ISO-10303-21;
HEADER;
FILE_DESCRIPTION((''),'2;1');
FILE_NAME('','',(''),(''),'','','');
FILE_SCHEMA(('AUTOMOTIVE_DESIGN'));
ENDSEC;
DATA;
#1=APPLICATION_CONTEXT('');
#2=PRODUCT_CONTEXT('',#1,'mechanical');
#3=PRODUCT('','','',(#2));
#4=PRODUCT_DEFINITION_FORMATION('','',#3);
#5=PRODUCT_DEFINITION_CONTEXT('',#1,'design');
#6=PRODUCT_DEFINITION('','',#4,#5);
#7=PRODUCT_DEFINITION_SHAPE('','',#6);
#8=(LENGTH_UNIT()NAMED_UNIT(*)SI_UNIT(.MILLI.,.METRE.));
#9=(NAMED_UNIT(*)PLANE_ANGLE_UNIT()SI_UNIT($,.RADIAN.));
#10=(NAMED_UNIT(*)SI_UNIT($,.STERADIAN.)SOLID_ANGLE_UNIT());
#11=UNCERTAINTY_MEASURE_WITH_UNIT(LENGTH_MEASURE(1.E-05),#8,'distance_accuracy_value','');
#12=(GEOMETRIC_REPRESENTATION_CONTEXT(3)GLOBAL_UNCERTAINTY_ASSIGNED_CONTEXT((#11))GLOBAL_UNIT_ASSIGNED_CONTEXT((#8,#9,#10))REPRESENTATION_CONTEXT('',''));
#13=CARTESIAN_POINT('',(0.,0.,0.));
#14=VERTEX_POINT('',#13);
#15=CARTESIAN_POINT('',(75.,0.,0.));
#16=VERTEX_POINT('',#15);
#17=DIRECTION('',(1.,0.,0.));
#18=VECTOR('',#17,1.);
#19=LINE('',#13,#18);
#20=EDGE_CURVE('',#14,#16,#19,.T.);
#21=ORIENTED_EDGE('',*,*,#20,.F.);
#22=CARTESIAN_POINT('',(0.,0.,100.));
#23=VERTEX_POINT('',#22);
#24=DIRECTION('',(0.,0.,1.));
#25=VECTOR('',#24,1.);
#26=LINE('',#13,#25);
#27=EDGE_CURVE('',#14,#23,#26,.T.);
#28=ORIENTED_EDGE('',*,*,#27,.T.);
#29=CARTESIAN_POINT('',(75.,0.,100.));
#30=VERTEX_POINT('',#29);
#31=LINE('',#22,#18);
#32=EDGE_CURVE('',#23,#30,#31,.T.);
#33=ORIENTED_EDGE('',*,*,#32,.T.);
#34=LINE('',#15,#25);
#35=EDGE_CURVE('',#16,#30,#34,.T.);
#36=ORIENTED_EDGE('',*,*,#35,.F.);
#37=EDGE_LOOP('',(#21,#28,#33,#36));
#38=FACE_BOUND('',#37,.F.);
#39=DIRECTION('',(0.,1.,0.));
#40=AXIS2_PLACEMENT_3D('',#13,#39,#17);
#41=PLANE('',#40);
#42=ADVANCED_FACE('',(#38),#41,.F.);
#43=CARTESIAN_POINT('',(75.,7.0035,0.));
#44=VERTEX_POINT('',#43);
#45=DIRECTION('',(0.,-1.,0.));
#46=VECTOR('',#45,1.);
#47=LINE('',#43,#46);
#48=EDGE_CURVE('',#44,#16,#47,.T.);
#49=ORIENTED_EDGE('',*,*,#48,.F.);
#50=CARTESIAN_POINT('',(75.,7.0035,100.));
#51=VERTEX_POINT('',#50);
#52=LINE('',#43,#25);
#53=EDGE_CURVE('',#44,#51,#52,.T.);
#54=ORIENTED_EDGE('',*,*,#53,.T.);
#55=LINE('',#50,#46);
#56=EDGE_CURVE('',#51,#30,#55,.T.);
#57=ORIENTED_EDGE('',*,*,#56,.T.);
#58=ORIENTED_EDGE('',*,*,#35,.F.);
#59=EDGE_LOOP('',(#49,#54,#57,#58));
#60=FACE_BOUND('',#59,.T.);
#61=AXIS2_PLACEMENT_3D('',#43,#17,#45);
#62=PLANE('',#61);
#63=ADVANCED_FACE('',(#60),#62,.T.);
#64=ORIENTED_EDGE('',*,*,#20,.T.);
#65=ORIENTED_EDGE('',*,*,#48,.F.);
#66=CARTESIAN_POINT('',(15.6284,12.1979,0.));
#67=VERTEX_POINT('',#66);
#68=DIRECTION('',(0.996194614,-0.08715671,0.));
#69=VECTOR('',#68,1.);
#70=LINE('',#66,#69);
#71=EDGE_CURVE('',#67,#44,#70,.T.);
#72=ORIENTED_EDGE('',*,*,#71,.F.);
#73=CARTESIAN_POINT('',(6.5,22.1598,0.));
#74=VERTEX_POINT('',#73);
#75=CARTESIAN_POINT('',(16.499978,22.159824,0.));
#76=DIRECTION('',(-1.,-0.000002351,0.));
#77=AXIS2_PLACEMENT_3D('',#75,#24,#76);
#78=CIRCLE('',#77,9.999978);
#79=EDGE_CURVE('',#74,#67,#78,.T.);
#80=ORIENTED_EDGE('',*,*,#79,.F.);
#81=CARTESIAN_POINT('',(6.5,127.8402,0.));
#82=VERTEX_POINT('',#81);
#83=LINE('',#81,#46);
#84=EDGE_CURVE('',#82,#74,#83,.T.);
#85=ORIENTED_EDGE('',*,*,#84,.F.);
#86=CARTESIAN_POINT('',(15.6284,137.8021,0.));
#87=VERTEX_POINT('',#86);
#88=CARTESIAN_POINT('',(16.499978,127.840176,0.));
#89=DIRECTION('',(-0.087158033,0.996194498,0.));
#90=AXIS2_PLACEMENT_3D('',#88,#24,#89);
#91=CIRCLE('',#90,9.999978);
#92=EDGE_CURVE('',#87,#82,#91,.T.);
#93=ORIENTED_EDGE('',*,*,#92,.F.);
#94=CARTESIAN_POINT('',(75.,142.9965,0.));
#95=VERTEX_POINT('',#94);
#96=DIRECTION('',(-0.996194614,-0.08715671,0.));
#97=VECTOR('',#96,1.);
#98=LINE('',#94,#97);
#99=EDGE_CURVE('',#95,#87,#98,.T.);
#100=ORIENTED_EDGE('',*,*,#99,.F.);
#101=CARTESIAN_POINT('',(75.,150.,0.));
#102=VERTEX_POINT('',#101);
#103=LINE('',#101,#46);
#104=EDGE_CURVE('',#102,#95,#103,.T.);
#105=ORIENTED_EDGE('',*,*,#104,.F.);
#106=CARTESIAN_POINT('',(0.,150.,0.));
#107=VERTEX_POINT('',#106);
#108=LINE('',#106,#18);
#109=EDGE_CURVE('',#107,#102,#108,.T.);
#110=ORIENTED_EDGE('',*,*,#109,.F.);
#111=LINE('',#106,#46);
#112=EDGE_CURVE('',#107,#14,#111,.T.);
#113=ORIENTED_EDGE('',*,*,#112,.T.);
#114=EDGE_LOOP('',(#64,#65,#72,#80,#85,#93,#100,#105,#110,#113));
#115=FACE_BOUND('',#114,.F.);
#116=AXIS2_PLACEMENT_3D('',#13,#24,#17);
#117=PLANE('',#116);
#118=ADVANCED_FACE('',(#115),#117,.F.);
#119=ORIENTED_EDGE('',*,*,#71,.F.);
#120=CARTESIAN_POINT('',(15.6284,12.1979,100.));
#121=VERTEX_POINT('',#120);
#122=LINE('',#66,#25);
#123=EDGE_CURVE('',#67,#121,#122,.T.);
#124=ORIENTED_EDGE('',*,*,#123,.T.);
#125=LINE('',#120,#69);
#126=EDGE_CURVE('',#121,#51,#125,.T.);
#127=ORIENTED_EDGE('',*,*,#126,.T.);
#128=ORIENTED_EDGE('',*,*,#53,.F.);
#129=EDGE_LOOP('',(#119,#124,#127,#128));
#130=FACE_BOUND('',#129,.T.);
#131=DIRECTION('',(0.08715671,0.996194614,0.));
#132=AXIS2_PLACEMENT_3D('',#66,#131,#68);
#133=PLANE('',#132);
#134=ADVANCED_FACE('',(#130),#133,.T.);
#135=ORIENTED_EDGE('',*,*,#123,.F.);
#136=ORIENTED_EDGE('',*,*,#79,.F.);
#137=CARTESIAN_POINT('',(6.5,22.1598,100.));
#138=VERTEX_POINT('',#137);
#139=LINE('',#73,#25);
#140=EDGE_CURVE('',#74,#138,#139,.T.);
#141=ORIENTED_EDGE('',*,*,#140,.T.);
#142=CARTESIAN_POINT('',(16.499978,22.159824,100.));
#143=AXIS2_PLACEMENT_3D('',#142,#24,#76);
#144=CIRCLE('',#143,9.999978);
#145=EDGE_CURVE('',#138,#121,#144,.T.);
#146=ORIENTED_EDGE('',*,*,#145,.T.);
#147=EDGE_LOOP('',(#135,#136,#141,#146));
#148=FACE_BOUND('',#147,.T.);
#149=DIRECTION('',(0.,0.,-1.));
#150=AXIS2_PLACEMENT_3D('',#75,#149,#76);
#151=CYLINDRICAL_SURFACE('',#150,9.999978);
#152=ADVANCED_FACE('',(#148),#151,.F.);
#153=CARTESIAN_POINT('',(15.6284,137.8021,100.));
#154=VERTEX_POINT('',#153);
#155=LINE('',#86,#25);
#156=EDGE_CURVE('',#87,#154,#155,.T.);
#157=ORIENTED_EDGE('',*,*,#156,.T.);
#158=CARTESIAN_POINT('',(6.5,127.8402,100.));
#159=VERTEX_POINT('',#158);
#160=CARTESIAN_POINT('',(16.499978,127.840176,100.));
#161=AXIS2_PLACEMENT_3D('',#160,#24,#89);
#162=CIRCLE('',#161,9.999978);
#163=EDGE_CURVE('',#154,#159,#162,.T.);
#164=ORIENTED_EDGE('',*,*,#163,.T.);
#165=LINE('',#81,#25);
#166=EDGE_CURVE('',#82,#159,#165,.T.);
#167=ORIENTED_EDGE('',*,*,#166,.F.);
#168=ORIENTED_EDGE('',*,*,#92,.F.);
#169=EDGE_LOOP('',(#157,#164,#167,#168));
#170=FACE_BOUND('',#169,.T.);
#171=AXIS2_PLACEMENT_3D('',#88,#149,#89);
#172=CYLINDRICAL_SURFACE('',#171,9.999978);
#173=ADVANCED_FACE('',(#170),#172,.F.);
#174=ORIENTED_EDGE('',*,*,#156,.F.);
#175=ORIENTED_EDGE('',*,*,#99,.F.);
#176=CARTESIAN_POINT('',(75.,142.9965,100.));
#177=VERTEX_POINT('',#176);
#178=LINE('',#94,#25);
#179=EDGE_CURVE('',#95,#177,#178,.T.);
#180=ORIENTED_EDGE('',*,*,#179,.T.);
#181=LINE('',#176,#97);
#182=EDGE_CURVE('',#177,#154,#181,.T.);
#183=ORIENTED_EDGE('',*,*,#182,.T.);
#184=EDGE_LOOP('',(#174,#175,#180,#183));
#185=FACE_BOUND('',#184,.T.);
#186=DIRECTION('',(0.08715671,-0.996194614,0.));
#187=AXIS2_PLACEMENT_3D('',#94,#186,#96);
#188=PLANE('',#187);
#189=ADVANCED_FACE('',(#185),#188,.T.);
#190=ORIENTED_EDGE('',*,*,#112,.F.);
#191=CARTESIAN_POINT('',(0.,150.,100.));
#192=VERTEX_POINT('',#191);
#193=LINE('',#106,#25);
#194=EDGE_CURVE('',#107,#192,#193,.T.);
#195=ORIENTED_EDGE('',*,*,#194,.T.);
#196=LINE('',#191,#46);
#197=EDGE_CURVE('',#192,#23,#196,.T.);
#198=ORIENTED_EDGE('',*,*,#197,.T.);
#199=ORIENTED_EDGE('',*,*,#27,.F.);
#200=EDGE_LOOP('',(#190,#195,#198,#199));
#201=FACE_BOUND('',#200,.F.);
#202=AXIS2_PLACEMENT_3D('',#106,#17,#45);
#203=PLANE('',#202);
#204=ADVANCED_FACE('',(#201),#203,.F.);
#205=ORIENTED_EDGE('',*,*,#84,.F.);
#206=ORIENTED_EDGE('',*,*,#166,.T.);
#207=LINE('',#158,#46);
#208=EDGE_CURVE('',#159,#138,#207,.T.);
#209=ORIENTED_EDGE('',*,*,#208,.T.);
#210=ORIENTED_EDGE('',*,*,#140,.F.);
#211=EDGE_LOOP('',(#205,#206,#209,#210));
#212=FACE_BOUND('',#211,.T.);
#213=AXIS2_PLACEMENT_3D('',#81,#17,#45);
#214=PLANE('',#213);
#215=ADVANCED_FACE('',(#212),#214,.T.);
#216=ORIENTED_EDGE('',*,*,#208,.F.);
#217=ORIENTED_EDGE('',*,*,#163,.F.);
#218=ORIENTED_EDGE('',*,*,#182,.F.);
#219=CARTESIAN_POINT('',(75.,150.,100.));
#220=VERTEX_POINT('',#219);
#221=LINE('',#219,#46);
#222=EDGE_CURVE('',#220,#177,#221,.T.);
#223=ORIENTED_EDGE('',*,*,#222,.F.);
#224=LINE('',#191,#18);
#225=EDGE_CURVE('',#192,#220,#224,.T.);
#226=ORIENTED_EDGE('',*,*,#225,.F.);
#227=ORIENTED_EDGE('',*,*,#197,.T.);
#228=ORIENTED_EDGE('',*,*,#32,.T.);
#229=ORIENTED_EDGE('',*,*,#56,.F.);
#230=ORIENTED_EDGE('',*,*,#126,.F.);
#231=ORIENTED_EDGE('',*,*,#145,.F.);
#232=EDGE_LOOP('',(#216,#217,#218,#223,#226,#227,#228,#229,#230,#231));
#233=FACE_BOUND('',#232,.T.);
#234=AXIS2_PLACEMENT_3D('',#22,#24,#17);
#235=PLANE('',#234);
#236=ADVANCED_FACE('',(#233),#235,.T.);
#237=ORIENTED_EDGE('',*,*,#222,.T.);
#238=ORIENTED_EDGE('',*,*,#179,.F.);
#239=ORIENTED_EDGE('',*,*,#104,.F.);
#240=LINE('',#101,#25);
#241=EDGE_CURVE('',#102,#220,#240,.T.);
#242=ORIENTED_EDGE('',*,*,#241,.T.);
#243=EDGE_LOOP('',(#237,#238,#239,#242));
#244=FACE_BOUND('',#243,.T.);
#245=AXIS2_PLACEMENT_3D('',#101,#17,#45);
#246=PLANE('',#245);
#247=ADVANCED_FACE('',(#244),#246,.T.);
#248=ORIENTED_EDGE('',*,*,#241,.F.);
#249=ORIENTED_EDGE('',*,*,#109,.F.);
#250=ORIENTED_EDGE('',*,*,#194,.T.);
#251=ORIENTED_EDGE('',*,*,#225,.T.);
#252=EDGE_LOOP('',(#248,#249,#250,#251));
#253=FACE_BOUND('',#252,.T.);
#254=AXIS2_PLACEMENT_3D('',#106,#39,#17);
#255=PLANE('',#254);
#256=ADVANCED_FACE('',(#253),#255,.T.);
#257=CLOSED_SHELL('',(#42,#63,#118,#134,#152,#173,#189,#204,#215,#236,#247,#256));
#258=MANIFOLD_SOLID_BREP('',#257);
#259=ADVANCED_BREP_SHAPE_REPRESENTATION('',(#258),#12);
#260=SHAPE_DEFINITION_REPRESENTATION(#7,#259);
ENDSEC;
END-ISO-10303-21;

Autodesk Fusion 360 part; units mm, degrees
sketch "スケッチ1" plane through (0, 0, 0) normal (0, 0, 1) x (1, 0, 0)
  line L0 (6.5, 127.8402) -> (6.5, 22.1598)
  line L1 (0, 150) -> (0, 0)
  line L2 (0, 0) -> (75, 0)
  line L3 (15.6284, 12.1979) -> (75, 7.0035)
  arc A0 (6.5, 22.1598) -> (15.6284, 12.1979) centre (16.5, 22.1598) ccw
  line L4 (75, 7.0035) -> (75, 0)
  line L5 (75, 142.9965) -> (15.6284, 137.8021)
  line L6 (0, 150) -> (75, 150)
  arc A1 (15.6284, 137.8021) -> (6.5, 127.8402) centre (16.5, 127.8402) ccw
  line L7 (75, 150) -> (75, 142.9965)
extrude "押し出し1" add sketch "スケッチ1" along normal blind 100
